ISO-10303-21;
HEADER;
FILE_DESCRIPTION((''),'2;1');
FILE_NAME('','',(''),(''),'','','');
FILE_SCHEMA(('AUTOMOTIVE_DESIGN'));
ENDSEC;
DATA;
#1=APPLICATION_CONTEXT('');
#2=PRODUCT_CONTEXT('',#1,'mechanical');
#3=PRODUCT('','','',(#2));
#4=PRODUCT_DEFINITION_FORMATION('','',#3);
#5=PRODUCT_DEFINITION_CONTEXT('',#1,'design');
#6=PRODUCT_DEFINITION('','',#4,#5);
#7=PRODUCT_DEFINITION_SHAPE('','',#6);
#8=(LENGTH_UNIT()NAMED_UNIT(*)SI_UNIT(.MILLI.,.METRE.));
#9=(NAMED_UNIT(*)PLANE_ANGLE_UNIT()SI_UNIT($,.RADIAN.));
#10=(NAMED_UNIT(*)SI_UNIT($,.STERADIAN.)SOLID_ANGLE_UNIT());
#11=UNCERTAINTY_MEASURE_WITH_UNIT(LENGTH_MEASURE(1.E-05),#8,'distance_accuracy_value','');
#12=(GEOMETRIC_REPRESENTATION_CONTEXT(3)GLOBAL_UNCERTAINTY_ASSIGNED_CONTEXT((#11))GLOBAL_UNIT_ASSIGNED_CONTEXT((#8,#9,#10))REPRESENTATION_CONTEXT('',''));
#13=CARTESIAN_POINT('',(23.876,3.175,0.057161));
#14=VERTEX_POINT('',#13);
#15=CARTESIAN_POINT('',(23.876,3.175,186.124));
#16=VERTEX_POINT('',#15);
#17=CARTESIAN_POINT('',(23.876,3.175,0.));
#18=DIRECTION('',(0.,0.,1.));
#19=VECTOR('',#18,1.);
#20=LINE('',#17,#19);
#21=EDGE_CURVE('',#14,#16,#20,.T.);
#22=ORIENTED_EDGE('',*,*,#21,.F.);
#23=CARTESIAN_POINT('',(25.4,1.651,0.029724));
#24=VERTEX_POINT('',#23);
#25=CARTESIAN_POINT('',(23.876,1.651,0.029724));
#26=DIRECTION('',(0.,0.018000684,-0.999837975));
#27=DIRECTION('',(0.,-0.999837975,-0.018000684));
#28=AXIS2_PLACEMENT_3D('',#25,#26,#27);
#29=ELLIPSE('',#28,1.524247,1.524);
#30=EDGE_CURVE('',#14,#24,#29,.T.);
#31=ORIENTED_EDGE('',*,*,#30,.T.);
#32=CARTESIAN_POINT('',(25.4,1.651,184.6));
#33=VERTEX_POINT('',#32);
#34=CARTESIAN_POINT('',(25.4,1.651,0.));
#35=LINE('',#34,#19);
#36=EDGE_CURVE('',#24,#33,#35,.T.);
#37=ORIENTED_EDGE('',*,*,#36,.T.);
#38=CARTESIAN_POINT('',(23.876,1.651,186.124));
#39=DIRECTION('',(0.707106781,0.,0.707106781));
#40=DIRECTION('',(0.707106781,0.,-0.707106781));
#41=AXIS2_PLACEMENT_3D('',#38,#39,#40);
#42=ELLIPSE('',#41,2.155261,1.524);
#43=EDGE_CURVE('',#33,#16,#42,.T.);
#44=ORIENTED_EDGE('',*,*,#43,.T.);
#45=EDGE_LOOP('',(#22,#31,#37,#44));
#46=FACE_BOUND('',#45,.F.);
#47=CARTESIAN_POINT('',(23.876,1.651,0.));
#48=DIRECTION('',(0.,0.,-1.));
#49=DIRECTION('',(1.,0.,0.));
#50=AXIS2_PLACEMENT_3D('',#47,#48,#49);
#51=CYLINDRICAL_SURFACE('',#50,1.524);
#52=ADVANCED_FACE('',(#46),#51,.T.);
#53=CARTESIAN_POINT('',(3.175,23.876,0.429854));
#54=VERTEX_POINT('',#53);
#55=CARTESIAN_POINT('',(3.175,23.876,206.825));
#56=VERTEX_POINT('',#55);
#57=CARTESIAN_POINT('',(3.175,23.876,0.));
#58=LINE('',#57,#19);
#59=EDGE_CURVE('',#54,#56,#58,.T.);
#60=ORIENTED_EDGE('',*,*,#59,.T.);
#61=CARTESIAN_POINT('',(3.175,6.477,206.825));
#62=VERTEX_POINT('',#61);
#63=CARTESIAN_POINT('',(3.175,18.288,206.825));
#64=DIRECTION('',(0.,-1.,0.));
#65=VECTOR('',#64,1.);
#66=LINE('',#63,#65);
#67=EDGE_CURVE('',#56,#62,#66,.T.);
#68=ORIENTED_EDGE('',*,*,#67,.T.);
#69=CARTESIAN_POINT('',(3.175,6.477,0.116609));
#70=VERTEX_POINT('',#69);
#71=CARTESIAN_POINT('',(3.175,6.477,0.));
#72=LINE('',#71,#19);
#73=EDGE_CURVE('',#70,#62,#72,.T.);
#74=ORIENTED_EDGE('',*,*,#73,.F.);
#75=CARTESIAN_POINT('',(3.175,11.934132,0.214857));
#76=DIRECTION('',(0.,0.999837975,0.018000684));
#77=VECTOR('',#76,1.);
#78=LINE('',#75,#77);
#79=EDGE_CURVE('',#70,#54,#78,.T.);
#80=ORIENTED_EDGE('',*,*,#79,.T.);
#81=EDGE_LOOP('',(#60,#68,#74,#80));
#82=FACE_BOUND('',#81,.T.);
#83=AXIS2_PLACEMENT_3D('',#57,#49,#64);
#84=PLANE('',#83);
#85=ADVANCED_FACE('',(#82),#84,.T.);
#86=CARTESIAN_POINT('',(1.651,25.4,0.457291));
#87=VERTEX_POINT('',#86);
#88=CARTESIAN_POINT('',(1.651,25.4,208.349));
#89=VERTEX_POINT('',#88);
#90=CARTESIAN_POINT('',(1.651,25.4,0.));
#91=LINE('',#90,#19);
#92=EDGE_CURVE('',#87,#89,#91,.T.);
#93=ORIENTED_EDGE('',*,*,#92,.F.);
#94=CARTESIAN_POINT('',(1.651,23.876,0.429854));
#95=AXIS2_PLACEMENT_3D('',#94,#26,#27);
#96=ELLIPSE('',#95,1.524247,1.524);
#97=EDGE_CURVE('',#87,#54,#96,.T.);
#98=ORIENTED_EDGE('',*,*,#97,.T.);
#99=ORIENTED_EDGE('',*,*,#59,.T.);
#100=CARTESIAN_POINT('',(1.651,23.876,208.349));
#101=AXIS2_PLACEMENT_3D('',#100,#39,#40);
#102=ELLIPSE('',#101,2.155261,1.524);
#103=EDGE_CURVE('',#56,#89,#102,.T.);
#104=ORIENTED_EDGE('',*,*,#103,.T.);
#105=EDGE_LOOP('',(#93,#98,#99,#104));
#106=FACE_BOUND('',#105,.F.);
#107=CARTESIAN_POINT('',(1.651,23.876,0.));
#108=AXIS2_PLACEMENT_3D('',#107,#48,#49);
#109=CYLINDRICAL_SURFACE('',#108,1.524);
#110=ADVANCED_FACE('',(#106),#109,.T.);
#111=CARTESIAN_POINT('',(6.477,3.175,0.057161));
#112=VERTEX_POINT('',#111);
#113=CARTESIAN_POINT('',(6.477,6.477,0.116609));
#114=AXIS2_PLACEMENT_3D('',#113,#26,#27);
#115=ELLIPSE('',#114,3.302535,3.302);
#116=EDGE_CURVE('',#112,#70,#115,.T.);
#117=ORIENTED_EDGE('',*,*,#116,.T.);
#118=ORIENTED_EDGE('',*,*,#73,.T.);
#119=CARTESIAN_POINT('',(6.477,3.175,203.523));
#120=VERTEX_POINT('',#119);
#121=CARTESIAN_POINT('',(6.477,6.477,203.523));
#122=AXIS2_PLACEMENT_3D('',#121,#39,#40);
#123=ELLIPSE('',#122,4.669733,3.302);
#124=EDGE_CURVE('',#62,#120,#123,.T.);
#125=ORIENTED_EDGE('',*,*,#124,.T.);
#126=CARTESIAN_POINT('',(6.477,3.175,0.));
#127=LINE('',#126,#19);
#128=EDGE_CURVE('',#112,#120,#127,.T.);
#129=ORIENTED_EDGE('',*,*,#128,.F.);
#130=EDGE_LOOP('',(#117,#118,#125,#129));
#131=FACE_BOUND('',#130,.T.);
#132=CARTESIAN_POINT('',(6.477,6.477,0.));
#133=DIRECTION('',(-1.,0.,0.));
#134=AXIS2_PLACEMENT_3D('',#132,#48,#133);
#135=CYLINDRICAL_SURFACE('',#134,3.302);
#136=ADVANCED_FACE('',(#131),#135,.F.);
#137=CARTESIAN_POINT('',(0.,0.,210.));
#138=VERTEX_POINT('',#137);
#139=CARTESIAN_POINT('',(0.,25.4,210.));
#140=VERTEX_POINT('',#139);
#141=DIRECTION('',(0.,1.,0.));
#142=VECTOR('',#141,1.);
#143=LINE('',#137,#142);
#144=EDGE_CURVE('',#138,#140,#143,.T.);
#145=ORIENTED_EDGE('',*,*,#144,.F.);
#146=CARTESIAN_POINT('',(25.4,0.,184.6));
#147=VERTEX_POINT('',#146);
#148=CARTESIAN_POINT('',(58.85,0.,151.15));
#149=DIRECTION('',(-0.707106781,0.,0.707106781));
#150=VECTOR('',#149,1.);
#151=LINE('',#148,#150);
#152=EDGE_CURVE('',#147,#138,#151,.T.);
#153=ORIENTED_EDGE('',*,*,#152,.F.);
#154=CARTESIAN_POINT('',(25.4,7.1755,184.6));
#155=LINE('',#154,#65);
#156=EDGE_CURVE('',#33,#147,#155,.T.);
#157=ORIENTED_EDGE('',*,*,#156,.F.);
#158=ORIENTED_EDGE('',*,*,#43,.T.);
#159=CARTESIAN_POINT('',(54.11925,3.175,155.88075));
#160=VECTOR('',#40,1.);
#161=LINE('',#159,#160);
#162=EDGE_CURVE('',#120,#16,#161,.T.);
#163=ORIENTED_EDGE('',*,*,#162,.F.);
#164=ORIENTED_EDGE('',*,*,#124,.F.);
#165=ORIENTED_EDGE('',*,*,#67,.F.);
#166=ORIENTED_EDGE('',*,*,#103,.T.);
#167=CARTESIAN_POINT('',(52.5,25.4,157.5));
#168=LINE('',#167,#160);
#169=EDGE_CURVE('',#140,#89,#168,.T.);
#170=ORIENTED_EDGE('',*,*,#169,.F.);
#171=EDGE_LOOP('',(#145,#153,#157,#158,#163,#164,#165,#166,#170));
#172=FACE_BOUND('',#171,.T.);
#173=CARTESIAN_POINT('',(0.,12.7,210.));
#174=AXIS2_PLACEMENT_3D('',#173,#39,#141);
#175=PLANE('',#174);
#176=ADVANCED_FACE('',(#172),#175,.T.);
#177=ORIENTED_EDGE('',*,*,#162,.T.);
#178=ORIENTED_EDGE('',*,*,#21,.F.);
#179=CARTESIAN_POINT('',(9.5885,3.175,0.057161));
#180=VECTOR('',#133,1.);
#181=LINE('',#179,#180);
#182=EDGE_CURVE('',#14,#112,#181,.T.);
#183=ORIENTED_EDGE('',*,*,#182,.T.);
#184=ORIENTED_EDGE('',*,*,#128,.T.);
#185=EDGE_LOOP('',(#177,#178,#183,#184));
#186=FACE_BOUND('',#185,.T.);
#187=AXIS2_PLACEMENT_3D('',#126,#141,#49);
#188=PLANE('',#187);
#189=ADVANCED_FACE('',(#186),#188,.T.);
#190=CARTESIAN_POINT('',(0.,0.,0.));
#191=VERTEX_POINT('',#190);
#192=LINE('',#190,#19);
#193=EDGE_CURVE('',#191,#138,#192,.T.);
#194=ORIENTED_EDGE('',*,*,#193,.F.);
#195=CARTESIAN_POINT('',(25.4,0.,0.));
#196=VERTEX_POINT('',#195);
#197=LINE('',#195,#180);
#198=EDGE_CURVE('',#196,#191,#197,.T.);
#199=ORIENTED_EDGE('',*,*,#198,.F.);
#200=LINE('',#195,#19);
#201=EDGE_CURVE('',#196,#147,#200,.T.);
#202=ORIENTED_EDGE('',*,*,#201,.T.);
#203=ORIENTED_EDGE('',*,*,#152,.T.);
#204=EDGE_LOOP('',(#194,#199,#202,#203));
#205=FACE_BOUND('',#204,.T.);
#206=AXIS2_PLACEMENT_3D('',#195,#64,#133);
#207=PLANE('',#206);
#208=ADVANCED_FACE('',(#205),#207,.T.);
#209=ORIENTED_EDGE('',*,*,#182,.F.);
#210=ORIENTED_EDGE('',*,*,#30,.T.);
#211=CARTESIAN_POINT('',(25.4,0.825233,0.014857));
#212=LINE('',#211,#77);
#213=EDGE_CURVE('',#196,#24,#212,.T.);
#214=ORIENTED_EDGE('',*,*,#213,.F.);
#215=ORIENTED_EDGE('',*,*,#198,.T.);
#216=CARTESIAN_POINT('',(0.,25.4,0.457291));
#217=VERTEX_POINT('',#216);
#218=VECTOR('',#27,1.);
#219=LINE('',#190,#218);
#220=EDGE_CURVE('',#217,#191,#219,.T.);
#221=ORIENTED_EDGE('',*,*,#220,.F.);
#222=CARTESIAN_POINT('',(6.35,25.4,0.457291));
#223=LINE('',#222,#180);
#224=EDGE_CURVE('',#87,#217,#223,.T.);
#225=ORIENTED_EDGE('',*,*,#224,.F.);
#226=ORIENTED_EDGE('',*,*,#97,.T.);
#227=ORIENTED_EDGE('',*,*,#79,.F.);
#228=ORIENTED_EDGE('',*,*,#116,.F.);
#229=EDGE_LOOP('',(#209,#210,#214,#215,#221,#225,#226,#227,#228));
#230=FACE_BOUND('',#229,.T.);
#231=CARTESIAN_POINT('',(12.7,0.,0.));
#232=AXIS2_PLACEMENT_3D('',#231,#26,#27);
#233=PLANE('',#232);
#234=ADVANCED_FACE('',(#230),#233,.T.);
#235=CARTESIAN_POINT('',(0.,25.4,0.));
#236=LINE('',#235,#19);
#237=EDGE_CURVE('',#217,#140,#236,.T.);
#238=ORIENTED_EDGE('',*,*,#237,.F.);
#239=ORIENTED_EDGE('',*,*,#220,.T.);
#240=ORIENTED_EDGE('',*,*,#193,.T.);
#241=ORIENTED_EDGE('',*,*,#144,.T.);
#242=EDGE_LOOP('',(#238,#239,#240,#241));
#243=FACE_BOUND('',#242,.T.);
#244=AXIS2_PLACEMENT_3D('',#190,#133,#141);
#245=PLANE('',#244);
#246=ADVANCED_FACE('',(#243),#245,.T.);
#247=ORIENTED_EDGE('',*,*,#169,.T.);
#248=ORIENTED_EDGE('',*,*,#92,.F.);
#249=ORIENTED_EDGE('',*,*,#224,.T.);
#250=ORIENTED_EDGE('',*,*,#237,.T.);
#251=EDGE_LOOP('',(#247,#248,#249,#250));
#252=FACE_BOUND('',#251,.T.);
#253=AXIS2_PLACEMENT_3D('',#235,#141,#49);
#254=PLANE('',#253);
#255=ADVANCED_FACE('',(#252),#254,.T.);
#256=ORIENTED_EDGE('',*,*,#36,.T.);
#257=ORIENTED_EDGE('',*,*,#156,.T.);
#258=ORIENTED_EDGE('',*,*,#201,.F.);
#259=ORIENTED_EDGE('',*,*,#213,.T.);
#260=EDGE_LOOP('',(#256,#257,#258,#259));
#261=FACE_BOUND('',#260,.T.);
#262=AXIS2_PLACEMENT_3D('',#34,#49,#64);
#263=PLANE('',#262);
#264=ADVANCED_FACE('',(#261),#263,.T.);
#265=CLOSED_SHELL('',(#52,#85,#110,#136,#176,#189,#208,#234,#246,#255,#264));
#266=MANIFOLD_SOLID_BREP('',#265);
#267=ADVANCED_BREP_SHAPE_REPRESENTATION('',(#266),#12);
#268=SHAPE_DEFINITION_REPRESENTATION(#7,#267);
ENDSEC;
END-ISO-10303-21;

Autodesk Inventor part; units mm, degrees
ref_plane "Start Plane" through (0, 0, 0) normal (0, 0, 1) x (1, 0, 0)
ref_plane "End Plane" through (0, 0, 210) normal (0, 0, 1) x (1, 0, 0)
sketch "Sketch" plane through (0, 0, 0) normal (0, 0, 1) x (1, 0, 0)
  line L0 (25.4, 0) -> (0, 0)
  line L1 (0, 0) -> (0, 25.4)
  line L2 (0, 25.4) -> (1.651, 25.4)
  line L3 (3.175, 23.876) -> (3.175, 6.477)
  line L4 (6.477, 3.175) -> (23.876, 3.175)
  line L5 (25.4, 1.651) -> (25.4, 0)
  line L6 (0, -11.0414) -> (0, 31.5385) construction
  line L7 (-11.0414, 0) -> (31.5385, 0) construction
  arc A0 (3.175, 6.477) -> (6.477, 3.175) centre (6.477, 6.477) ccw
  arc A1 (3.175, 23.876) -> (1.651, 25.4) centre (1.651, 23.876) ccw
  arc A2 (25.4, 1.651) -> (23.876, 3.175) centre (23.876, 1.651) ccw
  line L8 (0, 40.0545) -> (0, -19.5574) construction
  line L9 (-19.5574, 0) -> (40.0545, 0) construction
  point P0 (3.175, 25.4)
  point P1 (3.175, 3.175)
  point P2 (25.4, 3.175)
  dimension "d0" = 25.4
  dimension "d1" = 25.4
  dimension "d2" = 3.175
  dimension "d3" = 3.175
  dimension "d10" = 0
  dimension "d11" = 0
  dimension "d14" = 3.302
  dimension "d15" = 1.524
extrude "Body" add sketch "Sketch" along normal up to surface (210 mm away) from surface at 0
sketch "Sketch3" plane through (0, 0, 0) normal (0, 0, 1) x (1, 0, 0)
  line L0 (0, 0) -> (10, 0)
ref_plane "Work Plane3" through (0, 0, 0) normal (0, -1, 0) x (1, 0, 0)
ref_plane "Work Plane4" through (12.7, 0, 0) normal (0, 0.018, -0.9998) x (1, 0, 0)
split "Split1" plane through (12.7, 0, 0) removes the side toward (0, 0.018, -0.9998)
ref_plane "Work Plane8" through (0, 12.7, 210) normal (0.7071, 0, 0.7071) x (0.7071, 0, -0.7071)
split "Split2" plane through (0, 12.7, 210) removes the side toward (0.7071, 0, 0.7071)
sketch "Sketch4" plane through (0, 0, 0) normal (0, -1, 0) x (1, 0, 0)
  line L0 (-2, 0) -> (12, 0) projected
  line L1 (-2, 210) -> (12, 210) projected
  dimension "d17" = 210
equation "\"d0\" = G_H"
equation "\"d1\" = G_H"
equation "\"d2\" = G_T"
equation "\"d3\" = G_T"
equation "\"d14\" = G_IR"
equation "\"d15\" = G_ER"
equation "\"d4\" = G_L"
equation "\"G_H\" = 25.4"
equation "\"G_T\" = 3.175"
equation "\"G_ER\" = 1.524"
equation "\"G_IR\" = 3.302"
equation "\"G_L\" = d17"
equation "\"ex\" = 0"
equation "\"G_OFFSET_START\" = 0"
equation "\"G_OFFSET_END\" = 0"
equation "\"d13\" = G_OFFSET_END + B_L"
equation "\"B_L\" = 210"
properties part number "AISC - L 1 x 1 x 1/8 - 8.268" material "Steel, Mild"
